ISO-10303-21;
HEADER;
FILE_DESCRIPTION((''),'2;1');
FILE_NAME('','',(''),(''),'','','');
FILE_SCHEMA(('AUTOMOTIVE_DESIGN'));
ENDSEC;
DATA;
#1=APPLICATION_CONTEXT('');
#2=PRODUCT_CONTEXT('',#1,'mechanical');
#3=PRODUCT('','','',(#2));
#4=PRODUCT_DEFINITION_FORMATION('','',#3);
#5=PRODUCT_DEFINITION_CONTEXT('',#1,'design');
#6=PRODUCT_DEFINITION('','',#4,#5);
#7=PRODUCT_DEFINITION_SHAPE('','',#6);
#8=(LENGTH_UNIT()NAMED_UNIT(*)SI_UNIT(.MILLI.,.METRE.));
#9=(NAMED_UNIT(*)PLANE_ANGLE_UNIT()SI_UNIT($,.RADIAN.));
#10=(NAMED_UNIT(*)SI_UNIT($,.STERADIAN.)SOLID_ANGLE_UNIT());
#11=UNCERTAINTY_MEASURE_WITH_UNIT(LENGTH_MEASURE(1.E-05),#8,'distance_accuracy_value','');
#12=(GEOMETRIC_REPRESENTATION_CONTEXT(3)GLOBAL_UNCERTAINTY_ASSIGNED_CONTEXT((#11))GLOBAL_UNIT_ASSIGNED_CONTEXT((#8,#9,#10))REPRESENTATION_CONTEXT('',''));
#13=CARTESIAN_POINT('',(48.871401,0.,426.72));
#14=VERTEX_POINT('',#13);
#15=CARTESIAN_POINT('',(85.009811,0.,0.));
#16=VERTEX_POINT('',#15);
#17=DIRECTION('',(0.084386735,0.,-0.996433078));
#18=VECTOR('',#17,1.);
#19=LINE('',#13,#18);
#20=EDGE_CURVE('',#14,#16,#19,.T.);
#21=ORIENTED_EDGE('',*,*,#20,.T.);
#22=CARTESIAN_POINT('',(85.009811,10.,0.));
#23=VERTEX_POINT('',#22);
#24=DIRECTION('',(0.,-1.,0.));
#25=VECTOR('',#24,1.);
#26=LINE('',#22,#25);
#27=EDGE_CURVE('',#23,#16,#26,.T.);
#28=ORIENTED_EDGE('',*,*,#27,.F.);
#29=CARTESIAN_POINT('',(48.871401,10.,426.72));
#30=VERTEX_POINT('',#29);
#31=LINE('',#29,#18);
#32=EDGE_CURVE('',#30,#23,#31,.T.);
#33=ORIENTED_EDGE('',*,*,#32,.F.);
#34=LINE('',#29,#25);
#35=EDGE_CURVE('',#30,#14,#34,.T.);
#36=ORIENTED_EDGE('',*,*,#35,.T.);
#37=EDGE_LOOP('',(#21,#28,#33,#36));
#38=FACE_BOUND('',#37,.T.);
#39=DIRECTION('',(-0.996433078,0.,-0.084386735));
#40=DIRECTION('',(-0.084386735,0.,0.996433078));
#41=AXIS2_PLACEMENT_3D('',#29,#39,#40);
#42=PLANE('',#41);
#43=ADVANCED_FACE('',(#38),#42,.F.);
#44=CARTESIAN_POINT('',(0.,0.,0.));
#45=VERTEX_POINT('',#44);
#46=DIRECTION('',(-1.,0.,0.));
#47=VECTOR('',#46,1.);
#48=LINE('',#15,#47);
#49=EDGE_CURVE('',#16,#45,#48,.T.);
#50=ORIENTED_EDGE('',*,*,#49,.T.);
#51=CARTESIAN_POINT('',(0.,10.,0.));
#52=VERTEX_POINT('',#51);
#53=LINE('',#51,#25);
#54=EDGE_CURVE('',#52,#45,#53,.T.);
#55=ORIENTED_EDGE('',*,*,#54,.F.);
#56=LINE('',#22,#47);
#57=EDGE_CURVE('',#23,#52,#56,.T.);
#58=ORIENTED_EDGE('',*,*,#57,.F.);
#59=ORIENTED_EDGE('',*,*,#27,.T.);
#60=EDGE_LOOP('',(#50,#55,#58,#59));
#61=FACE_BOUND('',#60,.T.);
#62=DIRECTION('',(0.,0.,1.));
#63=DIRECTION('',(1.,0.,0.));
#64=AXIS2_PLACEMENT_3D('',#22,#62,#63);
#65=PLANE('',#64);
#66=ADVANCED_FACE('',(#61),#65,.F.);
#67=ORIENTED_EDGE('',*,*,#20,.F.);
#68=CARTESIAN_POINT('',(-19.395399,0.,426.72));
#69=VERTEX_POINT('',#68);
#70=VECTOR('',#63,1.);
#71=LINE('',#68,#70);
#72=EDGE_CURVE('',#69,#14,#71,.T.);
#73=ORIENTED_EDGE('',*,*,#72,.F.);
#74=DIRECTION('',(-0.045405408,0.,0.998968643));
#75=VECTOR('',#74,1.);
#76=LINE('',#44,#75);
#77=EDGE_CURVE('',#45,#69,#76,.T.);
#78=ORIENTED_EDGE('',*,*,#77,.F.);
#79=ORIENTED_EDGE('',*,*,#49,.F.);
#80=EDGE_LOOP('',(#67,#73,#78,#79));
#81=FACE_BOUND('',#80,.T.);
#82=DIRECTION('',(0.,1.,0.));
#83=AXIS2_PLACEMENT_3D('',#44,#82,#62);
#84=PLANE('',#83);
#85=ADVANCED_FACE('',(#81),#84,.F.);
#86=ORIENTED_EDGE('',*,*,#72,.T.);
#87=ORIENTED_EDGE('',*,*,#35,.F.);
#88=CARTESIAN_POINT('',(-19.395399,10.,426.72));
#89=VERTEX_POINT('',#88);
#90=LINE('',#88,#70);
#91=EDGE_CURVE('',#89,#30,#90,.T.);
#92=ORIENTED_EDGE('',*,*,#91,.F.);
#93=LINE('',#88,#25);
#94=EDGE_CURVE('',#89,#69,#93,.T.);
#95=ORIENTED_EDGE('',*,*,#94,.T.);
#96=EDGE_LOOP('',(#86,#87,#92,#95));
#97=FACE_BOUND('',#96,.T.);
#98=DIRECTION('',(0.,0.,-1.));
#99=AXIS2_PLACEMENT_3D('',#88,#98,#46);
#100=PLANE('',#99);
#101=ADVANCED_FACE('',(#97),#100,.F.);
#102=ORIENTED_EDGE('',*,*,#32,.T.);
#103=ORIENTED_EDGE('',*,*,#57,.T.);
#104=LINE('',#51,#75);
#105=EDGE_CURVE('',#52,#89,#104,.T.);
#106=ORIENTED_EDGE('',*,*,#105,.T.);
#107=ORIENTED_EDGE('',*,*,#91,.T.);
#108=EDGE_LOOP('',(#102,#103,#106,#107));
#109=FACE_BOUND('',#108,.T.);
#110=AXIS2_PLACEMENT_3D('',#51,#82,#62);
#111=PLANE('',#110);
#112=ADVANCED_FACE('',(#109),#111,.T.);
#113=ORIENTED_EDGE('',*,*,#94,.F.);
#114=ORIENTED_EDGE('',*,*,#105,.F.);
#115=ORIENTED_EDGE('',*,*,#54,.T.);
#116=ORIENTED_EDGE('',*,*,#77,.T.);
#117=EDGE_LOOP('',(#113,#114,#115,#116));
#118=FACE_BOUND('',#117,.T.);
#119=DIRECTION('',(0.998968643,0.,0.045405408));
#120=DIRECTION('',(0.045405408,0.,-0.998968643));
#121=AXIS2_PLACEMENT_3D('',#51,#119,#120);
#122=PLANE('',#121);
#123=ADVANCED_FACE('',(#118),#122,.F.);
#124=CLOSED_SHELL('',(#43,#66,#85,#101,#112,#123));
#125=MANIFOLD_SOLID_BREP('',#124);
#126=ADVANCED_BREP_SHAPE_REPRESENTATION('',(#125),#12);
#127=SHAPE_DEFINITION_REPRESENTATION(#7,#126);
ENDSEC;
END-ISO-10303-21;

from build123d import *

# Parameters (mm, degrees)
BOSS_EXTRUDE1_DEPTH = 10


with BuildPart() as part:
    # Sketch1 → Boss-Extrude1 (new body)
    with BuildSketch(Plane(origin=(0, 0, 0), x_dir=(1, 0, 0), z_dir=(0, 1, 0))):
        Polygon((-19.395399332, -426.72), (48.871400668, -426.72), (85.009811287, 0), (0, 0), align=None)
    extrude(amount=BOSS_EXTRUDE1_DEPTH)


solid = part.part
